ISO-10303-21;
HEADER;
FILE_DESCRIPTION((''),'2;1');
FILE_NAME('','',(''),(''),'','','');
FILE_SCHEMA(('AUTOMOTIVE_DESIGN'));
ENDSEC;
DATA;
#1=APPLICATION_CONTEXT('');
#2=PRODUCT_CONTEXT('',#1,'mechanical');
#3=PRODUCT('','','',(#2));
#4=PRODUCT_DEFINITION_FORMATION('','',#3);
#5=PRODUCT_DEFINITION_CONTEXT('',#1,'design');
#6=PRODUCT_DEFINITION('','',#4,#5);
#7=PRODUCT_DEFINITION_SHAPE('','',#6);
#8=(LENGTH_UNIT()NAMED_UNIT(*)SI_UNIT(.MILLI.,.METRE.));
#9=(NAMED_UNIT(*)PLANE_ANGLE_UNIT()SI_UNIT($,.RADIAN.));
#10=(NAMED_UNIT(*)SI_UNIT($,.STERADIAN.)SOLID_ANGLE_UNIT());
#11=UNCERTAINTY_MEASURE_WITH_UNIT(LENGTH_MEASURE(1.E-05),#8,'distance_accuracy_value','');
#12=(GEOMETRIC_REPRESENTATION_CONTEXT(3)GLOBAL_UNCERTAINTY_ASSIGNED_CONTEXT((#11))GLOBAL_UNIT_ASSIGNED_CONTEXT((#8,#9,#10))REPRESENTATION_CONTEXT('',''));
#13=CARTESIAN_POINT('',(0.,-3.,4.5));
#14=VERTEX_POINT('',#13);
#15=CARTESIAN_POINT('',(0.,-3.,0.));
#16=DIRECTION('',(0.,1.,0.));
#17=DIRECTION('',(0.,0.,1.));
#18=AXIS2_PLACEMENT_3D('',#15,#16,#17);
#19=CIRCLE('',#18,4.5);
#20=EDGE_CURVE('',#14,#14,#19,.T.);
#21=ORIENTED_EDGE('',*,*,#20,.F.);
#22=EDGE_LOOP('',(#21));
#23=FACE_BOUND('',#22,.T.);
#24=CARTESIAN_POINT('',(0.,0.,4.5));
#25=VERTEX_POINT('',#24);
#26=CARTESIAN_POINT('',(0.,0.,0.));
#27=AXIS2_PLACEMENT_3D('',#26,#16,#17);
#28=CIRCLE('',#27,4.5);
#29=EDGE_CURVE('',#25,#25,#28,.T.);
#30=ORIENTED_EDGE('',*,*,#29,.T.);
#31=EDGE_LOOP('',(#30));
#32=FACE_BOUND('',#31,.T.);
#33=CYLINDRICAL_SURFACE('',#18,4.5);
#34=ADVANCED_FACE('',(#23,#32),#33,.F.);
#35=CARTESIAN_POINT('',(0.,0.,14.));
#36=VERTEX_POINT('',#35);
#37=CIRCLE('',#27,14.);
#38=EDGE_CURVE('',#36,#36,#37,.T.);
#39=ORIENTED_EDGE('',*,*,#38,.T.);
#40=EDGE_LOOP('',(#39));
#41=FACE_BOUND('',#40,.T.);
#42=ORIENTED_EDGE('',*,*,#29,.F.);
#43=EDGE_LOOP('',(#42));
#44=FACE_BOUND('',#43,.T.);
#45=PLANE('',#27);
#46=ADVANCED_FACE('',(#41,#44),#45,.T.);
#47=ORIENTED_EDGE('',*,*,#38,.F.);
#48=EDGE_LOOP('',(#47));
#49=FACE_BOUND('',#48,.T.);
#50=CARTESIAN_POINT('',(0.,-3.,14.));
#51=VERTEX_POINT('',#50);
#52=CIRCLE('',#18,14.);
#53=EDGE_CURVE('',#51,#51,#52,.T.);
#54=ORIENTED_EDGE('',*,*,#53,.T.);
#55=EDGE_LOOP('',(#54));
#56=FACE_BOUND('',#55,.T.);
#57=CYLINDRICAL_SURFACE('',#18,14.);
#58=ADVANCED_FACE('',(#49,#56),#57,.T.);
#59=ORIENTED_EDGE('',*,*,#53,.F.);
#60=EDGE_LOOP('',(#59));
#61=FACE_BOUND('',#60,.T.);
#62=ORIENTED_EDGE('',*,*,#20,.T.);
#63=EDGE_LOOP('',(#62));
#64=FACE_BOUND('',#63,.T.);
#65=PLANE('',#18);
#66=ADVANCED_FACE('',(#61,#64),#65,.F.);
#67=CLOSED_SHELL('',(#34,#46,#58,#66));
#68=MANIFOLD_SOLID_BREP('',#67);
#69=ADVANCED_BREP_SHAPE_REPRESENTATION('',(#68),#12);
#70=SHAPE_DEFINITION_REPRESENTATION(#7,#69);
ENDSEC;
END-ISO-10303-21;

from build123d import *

# Parameters (mm, degrees)
SKETCH1_R          = 14
BASE_EXTRUDE_DEPTH = 3
SKETCH2_R          = 4.5
TYPE_R_DEPTH       = 21.024984395


with BuildPart() as part:
    # Sketch1 → Base-Extrude (new body)
    with BuildSketch(Plane(origin=(0, 0, 0), x_dir=(1, 0, 0), z_dir=(0, 1, 0))):
        with Locations(Location((0, 0, 0), (0, 0, 270))):
            Circle(SKETCH1_R)
    extrude(amount=-BASE_EXTRUDE_DEPTH)

    # Sketch2 → Type-R (cut, through all)
    with BuildSketch(Plane(origin=(0, 0, 0), x_dir=(-1, 0, 0), z_dir=(0, 1, 0))):
        with Locations(Location((0, 0, 0), (0, 0, 90))):
            Circle(SKETCH2_R)
    extrude(amount=-TYPE_R_DEPTH, mode=Mode.SUBTRACT)


solid = part.part
